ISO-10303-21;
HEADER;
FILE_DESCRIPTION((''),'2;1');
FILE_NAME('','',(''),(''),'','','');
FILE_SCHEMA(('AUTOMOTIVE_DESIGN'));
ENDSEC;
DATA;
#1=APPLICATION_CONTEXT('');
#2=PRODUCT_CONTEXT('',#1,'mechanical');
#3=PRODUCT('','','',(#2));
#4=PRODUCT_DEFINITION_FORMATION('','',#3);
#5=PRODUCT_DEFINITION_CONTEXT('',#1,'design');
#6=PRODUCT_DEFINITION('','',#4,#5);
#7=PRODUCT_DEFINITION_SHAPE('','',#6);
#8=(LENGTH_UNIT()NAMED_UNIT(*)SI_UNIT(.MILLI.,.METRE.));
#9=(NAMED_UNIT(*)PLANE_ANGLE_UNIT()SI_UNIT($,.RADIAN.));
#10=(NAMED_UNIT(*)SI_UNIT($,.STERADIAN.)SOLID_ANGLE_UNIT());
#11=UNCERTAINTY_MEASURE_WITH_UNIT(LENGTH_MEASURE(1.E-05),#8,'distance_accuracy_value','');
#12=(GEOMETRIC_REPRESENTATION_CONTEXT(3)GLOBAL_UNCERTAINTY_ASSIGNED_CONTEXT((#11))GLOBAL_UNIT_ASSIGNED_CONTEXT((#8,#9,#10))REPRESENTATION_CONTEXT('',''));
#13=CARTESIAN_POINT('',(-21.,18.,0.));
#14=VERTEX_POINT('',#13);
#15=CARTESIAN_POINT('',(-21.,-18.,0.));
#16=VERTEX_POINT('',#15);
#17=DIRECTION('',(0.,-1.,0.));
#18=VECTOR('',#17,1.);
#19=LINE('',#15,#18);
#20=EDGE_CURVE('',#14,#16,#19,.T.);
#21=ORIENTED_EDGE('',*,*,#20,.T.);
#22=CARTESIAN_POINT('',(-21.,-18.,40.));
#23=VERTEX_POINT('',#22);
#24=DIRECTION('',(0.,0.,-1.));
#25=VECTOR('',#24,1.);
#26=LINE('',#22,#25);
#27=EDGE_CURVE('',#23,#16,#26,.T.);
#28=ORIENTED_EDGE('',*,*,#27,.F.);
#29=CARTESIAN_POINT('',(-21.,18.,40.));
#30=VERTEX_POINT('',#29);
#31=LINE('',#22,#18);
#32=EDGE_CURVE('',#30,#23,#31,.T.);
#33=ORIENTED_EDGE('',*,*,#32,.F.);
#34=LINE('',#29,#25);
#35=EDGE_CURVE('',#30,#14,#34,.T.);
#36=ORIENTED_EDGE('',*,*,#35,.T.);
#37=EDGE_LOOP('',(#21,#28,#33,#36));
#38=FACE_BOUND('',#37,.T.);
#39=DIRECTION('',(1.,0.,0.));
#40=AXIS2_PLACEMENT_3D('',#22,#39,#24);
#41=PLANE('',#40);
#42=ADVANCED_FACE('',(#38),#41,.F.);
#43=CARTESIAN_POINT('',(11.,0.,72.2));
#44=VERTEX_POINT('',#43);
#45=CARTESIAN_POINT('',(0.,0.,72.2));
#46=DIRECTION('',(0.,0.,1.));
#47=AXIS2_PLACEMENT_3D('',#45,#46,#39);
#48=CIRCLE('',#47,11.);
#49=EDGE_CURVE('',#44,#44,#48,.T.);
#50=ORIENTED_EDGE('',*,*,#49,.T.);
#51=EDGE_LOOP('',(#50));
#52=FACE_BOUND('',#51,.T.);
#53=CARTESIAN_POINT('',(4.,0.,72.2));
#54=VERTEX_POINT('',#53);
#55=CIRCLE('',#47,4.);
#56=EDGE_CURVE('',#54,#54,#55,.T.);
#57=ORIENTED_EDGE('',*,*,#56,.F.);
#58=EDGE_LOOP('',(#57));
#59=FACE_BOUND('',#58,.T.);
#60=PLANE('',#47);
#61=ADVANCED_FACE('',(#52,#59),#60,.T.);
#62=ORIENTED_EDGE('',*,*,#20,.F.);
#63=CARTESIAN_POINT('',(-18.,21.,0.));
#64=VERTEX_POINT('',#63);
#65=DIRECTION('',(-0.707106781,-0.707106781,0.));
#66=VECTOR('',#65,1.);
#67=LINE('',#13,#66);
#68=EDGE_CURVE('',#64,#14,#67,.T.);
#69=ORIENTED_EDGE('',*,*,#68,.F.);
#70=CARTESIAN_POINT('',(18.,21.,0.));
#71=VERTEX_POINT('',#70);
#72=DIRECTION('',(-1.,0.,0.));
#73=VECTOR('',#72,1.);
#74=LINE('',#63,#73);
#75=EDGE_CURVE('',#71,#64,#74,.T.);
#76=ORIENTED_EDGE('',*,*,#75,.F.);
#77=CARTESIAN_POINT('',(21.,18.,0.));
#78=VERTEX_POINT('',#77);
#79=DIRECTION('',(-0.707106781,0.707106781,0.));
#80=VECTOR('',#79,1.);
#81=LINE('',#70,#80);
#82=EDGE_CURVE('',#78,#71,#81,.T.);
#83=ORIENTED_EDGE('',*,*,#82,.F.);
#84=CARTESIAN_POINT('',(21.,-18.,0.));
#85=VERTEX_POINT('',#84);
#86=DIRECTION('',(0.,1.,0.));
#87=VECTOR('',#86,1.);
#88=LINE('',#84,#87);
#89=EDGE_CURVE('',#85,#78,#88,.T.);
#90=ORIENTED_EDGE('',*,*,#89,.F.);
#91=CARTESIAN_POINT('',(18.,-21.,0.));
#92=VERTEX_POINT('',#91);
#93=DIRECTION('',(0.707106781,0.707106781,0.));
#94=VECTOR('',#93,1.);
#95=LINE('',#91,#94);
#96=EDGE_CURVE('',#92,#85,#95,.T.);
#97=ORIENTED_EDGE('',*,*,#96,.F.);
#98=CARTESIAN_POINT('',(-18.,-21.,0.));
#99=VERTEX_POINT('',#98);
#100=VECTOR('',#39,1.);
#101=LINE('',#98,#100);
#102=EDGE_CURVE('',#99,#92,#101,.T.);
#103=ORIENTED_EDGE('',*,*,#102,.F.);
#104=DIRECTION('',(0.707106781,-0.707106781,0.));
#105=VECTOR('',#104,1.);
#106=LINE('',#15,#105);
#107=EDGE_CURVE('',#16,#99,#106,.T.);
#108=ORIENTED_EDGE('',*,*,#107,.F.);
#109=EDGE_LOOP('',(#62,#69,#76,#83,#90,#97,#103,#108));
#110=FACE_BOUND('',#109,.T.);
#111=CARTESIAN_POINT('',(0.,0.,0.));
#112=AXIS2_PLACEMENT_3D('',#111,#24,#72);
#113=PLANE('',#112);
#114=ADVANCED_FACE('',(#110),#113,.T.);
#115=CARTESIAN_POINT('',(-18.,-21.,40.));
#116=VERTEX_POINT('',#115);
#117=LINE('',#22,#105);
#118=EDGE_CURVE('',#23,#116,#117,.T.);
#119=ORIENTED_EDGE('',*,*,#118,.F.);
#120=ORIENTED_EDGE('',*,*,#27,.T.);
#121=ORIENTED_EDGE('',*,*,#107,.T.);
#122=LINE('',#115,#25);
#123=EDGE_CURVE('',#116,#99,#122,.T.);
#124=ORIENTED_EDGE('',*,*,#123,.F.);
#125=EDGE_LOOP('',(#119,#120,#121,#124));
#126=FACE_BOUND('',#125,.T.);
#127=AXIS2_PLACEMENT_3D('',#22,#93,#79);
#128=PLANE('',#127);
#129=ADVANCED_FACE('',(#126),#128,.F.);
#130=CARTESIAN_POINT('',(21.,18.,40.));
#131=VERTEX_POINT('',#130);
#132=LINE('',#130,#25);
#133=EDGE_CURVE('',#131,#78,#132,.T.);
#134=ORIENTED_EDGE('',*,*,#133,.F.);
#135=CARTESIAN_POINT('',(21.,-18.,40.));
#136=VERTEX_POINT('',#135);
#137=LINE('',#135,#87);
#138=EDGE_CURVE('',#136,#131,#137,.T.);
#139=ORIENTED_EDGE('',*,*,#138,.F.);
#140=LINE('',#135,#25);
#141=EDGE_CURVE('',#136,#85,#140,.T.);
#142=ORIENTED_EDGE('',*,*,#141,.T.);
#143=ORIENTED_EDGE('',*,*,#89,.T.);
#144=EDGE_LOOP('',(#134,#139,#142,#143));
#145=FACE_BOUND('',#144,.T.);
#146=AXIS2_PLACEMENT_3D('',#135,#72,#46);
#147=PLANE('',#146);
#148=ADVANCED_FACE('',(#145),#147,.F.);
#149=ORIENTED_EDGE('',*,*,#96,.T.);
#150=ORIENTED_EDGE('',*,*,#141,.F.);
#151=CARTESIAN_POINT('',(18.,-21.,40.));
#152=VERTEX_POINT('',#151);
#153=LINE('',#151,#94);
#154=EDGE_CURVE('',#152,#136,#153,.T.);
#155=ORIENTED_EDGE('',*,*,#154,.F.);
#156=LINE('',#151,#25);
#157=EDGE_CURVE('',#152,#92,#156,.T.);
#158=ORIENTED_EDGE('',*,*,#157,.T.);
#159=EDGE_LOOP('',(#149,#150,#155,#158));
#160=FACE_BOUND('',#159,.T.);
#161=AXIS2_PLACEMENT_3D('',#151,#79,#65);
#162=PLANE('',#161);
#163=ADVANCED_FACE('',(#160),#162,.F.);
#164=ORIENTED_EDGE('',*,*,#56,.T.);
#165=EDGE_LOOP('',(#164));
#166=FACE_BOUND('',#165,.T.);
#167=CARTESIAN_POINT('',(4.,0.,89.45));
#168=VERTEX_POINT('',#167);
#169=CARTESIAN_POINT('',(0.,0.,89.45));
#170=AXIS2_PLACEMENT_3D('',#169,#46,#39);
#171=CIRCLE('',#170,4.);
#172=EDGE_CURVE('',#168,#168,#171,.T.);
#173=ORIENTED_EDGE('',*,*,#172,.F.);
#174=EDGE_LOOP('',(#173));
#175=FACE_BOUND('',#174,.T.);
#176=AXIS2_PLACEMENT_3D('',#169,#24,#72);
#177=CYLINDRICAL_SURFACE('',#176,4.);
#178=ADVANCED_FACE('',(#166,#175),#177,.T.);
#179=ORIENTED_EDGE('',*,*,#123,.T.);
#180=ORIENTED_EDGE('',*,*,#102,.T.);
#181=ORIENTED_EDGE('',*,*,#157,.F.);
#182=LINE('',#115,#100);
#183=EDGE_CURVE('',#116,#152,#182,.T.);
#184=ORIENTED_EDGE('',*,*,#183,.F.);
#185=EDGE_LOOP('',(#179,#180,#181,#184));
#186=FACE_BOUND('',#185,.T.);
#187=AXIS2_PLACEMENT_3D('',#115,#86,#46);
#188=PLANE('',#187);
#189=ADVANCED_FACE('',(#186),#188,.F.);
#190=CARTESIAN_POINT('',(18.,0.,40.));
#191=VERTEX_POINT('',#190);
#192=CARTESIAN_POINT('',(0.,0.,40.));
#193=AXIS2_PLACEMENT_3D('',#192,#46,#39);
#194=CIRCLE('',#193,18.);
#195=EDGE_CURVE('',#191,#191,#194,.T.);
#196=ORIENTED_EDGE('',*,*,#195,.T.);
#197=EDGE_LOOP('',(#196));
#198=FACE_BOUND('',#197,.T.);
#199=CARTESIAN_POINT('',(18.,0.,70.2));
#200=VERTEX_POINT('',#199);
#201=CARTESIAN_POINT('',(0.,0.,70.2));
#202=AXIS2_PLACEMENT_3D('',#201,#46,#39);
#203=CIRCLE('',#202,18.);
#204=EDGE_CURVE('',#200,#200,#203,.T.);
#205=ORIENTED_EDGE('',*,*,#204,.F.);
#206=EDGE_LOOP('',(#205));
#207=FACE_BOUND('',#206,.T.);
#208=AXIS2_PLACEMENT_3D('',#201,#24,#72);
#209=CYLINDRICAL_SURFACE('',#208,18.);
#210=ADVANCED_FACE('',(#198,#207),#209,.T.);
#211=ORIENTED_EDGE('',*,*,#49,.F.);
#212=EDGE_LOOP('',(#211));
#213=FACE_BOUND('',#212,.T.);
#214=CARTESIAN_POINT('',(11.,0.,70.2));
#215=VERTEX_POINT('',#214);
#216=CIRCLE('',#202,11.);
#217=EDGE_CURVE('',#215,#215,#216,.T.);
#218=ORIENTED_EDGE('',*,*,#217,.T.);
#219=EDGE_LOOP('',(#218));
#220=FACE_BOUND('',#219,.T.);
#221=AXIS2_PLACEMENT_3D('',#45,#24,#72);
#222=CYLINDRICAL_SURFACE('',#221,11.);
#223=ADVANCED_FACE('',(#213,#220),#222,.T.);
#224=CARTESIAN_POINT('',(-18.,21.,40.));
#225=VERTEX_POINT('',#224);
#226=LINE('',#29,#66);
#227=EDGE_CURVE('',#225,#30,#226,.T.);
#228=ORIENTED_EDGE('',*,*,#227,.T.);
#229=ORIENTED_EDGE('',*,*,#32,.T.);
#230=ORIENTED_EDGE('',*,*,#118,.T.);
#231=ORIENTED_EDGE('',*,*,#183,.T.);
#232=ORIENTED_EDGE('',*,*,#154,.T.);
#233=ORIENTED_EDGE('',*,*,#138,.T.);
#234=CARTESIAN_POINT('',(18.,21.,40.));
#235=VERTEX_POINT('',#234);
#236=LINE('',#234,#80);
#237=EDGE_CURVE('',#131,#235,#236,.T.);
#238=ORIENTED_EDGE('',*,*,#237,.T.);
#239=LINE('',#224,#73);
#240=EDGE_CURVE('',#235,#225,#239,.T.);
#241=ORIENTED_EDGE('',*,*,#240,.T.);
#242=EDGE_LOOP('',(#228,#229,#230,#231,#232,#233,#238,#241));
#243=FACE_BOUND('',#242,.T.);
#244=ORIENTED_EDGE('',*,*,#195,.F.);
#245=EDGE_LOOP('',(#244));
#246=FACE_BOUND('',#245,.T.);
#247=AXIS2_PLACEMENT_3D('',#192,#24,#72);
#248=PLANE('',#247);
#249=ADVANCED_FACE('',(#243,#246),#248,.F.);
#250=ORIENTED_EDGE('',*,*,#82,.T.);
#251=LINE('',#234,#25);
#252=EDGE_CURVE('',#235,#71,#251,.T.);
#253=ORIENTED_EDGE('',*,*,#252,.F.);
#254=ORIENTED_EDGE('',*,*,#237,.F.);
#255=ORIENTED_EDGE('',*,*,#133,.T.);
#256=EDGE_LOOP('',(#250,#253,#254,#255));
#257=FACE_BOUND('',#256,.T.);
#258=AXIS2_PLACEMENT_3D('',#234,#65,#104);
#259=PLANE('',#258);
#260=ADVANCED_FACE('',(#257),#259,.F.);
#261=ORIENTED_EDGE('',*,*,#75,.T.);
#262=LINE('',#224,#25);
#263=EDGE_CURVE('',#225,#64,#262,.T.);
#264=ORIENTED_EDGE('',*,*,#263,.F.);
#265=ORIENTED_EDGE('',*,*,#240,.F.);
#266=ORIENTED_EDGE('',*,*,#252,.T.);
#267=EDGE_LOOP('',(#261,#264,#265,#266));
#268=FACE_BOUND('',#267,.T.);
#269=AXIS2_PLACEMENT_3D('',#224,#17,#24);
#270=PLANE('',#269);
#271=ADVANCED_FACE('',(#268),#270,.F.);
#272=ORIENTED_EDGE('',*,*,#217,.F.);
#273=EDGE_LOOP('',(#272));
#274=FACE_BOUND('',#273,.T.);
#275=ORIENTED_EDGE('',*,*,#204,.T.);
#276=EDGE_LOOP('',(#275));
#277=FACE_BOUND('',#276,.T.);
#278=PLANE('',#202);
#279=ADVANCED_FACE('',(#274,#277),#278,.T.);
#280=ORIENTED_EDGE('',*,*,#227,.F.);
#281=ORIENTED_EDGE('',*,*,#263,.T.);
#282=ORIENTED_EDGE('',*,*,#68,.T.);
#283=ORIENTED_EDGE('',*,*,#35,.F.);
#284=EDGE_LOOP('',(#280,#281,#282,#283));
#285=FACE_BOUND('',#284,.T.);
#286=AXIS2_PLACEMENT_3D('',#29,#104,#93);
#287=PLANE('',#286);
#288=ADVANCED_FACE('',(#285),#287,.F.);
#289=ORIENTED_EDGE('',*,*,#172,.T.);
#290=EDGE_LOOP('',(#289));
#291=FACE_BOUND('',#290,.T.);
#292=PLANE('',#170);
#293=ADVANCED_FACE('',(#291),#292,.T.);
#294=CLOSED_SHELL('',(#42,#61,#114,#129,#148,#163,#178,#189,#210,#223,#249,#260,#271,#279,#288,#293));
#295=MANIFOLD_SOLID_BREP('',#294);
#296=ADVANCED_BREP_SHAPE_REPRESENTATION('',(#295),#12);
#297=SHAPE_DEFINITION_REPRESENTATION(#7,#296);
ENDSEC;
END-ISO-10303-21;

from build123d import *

# Parameters (mm, degrees)
BOSS_EXTRUDE1_DEPTH = 40
SKETCH2_R           = 18
BOSS_EXTRUDE2_DEPTH = 30.2
SKETCH3_R           = 11
BOSS_EXTRUDE3_DEPTH = 2
SKETCH4_R           = 4
BOSS_EXTRUDE4_DEPTH = 17.25


with BuildPart() as part:
    # Sketch1 → Boss-Extrude1 (new body)
    with BuildSketch(Plane.XY):
        Polygon((-21, 18), (-18, 21), (18, 21), (21, 18), (21, -18), (18, -21), (-18, -21), (-21, -18), align=None)
    extrude(amount=BOSS_EXTRUDE1_DEPTH)

    # Sketch2 → Boss-Extrude2 (add)
    with BuildSketch(Plane.XY.offset(40)):
        Circle(SKETCH2_R)
    extrude(amount=BOSS_EXTRUDE2_DEPTH)

    # Sketch3 → Boss-Extrude3 (add)
    with BuildSketch(Plane.XY.offset(70.2)):
        Circle(SKETCH3_R)
    extrude(amount=BOSS_EXTRUDE3_DEPTH)

    # Sketch4 → Boss-Extrude4 (add)
    with BuildSketch(Plane.XY.offset(72.2)):
        Circle(SKETCH4_R)
    extrude(amount=BOSS_EXTRUDE4_DEPTH)


solid = part.part
